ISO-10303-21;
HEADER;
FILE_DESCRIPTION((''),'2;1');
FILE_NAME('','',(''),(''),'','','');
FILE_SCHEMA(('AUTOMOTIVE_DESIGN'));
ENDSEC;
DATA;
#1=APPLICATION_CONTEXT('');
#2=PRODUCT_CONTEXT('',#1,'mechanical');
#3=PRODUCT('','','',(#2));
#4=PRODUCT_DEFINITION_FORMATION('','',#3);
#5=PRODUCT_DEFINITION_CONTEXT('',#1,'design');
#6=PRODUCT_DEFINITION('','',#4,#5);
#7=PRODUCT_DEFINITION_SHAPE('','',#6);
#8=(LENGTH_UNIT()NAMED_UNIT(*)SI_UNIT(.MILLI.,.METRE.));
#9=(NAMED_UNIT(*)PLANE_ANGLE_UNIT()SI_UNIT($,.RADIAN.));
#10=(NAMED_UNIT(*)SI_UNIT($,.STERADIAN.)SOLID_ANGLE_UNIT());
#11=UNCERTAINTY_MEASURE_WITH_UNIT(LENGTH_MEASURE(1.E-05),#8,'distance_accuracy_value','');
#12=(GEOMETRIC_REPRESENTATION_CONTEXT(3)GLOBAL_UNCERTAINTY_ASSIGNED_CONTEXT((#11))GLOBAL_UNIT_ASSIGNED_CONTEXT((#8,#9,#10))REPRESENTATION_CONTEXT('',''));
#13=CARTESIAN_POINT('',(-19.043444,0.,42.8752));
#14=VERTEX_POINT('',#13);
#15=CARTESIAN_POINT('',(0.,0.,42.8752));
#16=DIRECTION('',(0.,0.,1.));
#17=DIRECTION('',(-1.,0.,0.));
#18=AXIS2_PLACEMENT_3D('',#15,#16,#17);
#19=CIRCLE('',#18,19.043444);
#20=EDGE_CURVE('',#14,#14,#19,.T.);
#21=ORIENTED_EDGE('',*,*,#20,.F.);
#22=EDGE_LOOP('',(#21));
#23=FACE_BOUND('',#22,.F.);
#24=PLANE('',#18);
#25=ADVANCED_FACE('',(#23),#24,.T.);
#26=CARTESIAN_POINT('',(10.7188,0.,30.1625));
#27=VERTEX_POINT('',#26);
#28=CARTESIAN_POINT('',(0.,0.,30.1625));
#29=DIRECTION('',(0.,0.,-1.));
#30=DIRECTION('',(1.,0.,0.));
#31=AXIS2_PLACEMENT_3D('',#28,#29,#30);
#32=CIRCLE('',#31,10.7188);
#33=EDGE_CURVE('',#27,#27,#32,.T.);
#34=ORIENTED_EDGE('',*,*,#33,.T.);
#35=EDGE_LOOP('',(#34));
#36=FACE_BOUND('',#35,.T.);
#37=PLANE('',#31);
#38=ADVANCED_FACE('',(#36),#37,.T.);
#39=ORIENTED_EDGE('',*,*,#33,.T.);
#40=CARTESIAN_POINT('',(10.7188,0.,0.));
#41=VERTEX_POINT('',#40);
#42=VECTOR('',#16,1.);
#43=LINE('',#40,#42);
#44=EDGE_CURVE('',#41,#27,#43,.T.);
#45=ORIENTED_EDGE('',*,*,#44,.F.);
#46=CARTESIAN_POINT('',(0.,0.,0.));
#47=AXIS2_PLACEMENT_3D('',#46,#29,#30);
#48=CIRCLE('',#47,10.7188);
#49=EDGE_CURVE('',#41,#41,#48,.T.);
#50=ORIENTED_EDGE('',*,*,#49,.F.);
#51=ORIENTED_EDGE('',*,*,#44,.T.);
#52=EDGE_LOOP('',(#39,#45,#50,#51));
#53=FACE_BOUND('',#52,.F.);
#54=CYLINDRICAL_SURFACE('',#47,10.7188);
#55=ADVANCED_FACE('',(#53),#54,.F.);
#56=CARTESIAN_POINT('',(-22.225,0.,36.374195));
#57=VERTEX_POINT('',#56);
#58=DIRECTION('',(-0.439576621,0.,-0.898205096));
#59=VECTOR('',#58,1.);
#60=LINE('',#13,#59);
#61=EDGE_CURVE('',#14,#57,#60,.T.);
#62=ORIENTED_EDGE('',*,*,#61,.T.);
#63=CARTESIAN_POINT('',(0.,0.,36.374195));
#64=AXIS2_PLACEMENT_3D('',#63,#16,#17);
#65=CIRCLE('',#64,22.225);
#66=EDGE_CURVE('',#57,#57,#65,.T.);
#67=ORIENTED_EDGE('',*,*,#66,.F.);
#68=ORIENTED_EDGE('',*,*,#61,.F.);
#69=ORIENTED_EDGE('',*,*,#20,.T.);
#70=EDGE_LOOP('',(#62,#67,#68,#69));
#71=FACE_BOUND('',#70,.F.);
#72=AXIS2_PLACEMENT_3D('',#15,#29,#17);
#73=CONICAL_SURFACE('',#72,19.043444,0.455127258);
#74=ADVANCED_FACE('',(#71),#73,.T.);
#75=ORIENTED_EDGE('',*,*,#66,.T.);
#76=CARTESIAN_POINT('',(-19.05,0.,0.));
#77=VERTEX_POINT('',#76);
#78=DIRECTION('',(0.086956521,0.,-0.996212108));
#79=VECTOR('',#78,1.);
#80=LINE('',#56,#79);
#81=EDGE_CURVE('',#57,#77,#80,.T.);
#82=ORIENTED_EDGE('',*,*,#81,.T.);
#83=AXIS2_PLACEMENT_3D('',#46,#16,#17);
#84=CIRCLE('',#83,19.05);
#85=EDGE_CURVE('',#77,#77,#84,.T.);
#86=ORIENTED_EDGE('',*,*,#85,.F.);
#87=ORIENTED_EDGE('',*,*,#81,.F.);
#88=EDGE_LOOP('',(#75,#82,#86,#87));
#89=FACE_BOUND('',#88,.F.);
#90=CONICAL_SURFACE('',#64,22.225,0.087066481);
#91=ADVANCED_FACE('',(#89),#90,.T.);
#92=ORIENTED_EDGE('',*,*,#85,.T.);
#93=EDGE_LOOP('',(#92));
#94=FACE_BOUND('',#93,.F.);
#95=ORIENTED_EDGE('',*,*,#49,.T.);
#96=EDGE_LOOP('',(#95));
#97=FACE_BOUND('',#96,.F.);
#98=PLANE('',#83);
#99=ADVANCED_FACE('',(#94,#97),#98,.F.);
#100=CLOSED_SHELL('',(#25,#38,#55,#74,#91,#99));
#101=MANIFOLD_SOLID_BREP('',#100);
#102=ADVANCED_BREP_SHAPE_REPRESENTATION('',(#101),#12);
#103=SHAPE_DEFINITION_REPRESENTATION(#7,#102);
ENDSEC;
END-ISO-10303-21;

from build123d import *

# Parameters (mm, degrees)
F2_R     = 10.7188
F3_DEPTH = 30.1625


with BuildPart() as f1:
    # F0 (on Front) → F1 (revolve)
    with BuildSketch(Plane.XZ):
        Polygon((-19.05, 0), (0, 0), (0, 42.8752), (-19.043444, 42.8752), (-22.225, 36.374195), align=None)
    revolve(axis=Axis((0, 0, 21.4376), (0, 0, 1)))

    # F2 (on face) → F3 (cut)
    with BuildSketch(Plane(origin=(0, 0, 0), x_dir=(1, 0, 0), z_dir=(0, 0, -1))):
        Circle(F2_R)
    extrude(amount=-F3_DEPTH, mode=Mode.SUBTRACT)


solid = f1.part
